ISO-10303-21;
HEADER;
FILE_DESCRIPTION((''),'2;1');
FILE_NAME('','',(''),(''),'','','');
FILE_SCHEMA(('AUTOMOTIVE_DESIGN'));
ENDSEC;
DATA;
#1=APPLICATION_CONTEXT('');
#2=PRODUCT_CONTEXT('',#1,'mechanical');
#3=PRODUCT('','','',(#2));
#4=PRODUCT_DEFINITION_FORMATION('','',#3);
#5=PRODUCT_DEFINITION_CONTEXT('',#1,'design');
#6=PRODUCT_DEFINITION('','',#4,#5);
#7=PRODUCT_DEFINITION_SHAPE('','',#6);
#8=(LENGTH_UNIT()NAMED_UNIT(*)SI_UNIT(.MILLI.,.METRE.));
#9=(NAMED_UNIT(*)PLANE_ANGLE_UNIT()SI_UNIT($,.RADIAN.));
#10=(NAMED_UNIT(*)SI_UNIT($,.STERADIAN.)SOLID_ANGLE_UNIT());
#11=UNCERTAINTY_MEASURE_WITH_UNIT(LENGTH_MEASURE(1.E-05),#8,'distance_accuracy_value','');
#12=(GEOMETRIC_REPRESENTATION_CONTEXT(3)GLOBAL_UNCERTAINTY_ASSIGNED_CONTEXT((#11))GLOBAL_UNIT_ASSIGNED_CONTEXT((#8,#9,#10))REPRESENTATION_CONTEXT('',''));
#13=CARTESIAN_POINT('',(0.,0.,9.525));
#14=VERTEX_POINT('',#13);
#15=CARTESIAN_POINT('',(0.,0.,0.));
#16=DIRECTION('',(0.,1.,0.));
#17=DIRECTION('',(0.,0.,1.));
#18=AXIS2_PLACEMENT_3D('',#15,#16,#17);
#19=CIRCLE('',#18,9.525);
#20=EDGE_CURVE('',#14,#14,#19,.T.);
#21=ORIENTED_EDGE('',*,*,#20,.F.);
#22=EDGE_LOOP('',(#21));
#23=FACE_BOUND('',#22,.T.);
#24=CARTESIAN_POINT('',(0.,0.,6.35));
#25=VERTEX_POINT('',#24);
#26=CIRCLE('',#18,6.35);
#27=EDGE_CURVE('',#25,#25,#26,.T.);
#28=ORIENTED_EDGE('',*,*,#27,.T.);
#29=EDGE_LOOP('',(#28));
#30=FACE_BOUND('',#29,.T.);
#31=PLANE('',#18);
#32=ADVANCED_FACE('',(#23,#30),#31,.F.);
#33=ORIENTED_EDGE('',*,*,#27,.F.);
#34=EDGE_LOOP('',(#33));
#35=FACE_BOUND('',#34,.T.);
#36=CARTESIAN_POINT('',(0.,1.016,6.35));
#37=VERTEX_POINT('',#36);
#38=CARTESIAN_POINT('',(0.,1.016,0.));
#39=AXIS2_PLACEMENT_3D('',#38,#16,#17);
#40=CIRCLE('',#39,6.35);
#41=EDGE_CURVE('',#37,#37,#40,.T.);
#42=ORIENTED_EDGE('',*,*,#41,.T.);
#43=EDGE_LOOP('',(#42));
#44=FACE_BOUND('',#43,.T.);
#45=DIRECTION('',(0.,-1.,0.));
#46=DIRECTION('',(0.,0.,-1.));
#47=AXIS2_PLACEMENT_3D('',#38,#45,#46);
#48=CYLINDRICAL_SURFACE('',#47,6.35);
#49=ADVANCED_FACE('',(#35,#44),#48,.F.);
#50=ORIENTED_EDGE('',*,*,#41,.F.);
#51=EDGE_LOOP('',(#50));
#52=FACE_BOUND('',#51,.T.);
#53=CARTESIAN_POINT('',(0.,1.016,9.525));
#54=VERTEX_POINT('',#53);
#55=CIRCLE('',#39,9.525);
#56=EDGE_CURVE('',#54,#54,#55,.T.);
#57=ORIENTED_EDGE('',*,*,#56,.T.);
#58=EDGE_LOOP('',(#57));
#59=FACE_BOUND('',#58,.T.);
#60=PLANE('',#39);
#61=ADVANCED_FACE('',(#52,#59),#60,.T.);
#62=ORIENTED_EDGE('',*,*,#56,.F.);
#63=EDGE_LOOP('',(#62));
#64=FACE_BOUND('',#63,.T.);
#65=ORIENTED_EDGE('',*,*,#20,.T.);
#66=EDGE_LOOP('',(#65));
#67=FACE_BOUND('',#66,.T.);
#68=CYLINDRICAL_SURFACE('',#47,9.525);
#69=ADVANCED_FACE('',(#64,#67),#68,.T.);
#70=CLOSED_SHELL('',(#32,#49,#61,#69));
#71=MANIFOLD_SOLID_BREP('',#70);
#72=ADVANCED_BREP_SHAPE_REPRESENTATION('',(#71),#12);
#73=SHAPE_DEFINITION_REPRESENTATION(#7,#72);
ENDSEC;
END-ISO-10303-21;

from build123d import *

# Parameters (mm, degrees)
SKETCH1_R           = 9.525
SKETCH1_R_2         = 6.35
BOSS_EXTRUDE1_DEPTH = 1.016


with BuildPart() as part:
    # Sketch1 → Boss-Extrude1 (new body)
    with BuildSketch(Plane(origin=(0, 0, 0), x_dir=(1, 0, 0), z_dir=(0, 1, 0))):
        Circle(SKETCH1_R)
        Circle(SKETCH1_R_2, mode=Mode.SUBTRACT)
    extrude(amount=BOSS_EXTRUDE1_DEPTH)


solid = part.part
